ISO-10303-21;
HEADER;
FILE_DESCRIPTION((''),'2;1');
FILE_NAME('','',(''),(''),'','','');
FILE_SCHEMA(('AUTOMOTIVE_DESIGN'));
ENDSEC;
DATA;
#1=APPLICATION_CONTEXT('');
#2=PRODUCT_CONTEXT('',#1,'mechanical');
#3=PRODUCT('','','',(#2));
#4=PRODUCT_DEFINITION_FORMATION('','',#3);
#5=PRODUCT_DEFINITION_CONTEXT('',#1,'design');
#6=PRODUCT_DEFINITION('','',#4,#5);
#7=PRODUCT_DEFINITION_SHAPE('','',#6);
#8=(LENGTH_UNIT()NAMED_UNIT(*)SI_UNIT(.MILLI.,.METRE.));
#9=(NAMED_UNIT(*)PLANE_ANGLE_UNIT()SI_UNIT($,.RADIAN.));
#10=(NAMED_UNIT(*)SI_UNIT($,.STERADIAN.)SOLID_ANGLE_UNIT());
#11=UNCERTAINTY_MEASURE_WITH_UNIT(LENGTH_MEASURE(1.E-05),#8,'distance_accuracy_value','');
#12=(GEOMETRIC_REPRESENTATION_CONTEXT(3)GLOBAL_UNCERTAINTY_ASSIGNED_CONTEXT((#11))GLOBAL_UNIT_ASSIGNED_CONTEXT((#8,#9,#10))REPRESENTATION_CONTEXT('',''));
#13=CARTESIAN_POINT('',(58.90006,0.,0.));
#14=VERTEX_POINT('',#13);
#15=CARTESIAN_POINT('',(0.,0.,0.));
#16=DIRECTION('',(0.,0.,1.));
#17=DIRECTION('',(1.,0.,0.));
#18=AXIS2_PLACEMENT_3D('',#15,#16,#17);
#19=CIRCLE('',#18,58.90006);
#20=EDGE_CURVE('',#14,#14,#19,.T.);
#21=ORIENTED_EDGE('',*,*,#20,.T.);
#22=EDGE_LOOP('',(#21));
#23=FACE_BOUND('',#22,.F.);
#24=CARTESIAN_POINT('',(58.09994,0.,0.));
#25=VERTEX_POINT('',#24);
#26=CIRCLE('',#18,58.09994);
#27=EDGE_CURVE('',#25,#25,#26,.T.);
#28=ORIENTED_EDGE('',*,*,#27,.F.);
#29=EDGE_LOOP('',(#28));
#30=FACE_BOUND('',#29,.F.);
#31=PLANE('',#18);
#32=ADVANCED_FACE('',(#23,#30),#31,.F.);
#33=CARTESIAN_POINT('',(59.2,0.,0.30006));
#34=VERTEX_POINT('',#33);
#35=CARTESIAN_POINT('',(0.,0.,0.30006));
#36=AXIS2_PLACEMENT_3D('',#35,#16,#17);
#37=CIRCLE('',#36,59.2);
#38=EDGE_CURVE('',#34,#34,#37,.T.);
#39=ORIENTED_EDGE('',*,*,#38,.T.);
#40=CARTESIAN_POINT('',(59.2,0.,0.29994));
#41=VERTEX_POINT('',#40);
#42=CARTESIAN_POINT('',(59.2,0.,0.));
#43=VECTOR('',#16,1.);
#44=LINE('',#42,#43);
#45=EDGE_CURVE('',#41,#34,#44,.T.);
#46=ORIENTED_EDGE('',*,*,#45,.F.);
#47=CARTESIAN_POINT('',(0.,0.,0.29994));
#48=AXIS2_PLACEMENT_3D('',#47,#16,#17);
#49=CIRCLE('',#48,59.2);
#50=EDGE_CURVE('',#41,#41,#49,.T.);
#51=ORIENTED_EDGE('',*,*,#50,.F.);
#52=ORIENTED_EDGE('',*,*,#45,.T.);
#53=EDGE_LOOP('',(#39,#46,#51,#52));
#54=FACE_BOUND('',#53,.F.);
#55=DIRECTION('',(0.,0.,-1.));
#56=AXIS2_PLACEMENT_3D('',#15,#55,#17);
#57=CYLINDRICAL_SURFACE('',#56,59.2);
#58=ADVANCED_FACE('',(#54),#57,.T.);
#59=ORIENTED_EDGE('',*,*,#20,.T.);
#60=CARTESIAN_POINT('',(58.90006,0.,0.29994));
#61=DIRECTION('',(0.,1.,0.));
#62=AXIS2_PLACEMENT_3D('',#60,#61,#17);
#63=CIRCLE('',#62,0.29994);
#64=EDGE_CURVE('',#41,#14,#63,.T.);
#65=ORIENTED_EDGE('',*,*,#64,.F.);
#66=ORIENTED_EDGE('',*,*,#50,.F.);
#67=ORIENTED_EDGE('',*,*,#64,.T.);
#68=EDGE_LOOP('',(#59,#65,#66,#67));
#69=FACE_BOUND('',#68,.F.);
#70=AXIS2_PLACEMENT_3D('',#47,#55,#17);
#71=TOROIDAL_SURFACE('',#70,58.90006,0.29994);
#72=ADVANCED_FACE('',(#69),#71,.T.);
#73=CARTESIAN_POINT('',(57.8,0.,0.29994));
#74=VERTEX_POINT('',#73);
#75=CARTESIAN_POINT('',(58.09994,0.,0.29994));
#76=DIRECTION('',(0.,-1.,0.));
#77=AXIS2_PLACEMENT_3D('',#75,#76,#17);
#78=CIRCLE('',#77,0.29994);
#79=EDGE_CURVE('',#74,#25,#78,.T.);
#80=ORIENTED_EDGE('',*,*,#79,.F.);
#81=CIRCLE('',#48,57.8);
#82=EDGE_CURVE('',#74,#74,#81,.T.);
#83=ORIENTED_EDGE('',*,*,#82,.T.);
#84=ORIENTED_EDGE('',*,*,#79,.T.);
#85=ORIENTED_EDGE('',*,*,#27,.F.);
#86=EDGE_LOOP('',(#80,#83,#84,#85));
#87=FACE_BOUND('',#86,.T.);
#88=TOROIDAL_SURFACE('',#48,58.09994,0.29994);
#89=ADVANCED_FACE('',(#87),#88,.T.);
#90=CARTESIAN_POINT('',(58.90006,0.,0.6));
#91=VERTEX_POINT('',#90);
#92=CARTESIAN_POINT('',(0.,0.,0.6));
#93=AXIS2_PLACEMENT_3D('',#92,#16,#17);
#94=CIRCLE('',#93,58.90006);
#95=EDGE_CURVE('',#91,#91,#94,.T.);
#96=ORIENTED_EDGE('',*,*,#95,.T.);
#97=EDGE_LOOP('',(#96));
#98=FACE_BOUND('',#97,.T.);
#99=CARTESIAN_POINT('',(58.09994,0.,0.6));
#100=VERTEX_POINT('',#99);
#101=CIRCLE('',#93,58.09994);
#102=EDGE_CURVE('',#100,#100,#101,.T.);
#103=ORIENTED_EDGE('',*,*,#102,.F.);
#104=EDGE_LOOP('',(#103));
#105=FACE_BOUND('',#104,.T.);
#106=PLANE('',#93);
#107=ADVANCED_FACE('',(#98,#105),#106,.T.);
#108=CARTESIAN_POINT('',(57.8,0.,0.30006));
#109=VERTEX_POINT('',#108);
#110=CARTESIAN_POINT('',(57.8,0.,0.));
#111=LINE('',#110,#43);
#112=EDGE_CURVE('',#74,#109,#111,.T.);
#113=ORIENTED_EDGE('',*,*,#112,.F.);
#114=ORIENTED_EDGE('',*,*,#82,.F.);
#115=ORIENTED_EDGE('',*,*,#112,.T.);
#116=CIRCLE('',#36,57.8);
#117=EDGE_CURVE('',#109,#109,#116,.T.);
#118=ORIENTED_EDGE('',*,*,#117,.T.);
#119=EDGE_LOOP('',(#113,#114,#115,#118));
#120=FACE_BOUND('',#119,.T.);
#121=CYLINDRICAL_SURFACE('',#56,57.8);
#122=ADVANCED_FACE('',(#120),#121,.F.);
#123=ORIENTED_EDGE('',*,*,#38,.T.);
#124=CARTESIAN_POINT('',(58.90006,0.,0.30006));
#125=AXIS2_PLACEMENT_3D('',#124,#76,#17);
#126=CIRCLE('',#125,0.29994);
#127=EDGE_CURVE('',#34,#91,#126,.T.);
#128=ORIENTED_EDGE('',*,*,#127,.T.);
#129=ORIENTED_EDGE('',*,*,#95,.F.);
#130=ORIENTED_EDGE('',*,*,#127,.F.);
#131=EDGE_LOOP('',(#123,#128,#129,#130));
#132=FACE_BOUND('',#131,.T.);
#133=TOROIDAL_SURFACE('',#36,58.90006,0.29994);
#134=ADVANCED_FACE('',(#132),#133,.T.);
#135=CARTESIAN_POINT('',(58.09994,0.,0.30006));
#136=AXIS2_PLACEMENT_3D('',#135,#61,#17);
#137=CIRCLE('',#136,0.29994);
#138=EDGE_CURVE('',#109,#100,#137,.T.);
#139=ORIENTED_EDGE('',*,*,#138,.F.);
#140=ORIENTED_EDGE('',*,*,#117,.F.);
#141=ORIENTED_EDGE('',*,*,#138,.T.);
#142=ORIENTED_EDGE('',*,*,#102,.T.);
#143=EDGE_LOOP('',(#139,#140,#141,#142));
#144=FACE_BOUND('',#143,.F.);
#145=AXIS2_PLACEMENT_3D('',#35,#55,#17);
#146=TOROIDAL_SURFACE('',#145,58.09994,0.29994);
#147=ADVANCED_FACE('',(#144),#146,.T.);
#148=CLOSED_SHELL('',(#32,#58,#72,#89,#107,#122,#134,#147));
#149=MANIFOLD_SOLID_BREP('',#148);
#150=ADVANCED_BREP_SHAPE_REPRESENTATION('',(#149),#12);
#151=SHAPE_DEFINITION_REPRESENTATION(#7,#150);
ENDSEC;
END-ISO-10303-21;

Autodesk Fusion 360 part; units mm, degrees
sketch "Sketch1" plane through (0, 0, 0) normal (0, 0, 1) x (1, 0, 0)
  circle A0 centre (0, 0) radius 59.2
  circle A1 centre (0, 0) radius 57.8
  dimension "d1" = 118.4
  dimension "d2" = 115.6
extrude "Extrude1" add sketch "Sketch1" along normal blind 0.6
fillet "Fillet1" radius 0.3 4 edges at (-55.1938, -21.4076, 0.6) (-55.1938, -21.4076, 0) (-53.8885, 20.9014, 0.6) (-53.8885, 20.9014, 0)
equation "d1 = outerDiameter"
equation "d2 = innerDiameter"
equation "d3 = height"
equation "d6 = height / 2"
equation "outerDiameter = 118.4 mm"
equation "innerDiameter = 115.6 mm"
equation "height = 0.6 mm"
